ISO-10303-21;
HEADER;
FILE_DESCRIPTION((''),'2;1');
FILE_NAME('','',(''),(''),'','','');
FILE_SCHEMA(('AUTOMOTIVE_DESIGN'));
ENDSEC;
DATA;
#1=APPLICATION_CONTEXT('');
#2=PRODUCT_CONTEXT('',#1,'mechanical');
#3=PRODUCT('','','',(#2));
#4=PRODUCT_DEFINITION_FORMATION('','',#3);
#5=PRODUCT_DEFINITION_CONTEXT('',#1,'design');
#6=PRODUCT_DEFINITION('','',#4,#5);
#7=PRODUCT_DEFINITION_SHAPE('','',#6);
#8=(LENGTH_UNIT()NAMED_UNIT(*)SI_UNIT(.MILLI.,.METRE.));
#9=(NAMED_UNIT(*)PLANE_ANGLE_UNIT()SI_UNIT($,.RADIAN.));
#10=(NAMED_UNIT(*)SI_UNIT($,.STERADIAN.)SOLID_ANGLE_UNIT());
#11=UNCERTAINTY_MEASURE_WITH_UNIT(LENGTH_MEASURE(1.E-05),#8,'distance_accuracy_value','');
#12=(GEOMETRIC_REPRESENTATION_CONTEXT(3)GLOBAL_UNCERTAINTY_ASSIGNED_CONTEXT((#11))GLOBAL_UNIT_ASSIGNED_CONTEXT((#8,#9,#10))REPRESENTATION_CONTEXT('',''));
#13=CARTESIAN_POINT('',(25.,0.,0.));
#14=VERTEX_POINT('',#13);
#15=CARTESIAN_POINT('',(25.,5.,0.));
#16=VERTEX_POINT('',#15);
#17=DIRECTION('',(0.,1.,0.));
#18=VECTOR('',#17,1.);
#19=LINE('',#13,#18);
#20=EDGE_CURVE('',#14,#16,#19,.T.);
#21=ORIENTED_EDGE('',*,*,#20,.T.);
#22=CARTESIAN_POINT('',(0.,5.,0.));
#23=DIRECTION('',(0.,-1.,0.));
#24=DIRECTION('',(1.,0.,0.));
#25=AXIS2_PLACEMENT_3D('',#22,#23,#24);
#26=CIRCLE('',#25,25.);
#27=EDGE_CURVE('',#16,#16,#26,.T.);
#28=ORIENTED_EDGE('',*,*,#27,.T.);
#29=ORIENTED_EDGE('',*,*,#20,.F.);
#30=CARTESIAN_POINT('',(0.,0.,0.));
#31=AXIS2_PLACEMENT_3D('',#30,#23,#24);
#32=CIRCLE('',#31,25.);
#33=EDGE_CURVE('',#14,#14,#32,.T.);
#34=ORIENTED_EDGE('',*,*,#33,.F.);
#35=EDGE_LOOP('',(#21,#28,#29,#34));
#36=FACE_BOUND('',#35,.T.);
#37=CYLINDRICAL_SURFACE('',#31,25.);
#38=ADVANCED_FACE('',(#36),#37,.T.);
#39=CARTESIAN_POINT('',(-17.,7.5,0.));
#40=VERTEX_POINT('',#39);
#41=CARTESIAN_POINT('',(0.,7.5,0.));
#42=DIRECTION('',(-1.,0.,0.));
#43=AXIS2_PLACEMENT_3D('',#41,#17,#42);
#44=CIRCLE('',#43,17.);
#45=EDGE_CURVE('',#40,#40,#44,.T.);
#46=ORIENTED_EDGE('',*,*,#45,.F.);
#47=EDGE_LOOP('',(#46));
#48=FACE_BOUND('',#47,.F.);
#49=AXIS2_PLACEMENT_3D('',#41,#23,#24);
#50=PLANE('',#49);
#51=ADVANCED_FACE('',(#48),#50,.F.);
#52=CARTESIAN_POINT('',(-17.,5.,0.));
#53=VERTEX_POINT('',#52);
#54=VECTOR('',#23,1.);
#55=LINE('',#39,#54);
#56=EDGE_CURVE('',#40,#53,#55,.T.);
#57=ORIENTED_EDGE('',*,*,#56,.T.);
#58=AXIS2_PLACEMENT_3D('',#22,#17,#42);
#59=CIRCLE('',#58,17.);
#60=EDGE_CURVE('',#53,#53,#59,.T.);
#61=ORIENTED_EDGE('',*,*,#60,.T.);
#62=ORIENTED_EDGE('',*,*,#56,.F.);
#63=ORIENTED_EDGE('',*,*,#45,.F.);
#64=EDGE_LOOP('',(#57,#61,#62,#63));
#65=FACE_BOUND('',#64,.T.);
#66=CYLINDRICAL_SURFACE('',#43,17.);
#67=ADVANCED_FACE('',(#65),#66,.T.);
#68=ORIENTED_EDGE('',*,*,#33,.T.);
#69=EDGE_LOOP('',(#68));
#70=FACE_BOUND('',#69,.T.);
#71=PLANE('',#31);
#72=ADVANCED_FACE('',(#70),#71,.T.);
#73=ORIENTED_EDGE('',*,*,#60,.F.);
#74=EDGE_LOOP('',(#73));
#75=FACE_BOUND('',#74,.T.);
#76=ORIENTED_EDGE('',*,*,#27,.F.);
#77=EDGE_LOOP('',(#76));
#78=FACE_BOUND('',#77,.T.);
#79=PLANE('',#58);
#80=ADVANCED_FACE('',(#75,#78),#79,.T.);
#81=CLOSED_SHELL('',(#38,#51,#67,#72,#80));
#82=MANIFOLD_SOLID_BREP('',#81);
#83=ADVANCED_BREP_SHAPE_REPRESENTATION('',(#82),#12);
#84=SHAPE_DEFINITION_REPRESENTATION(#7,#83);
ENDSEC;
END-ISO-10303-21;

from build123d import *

# Parameters (mm, degrees)
F0_R     = 25
F1_DEPTH = 7.5
F2_R     = 37.743682
F2_R_2   = 17
F3_DEPTH = 2.5


with BuildPart() as f1:
    # F0 (on Front) → F1 (new body)
    with BuildSketch(Plane.XZ):
        Circle(F0_R)
    extrude(amount=-F1_DEPTH)

    # F2 (on face) → F3 (cut)
    with BuildSketch(Plane(origin=(0, 7.5, 0), x_dir=(-1, 0, 0), z_dir=(0, 1, 0))):
        Circle(F2_R)
        Circle(F2_R_2, mode=Mode.SUBTRACT)
    extrude(amount=-F3_DEPTH, mode=Mode.SUBTRACT)


solid = f1.part
